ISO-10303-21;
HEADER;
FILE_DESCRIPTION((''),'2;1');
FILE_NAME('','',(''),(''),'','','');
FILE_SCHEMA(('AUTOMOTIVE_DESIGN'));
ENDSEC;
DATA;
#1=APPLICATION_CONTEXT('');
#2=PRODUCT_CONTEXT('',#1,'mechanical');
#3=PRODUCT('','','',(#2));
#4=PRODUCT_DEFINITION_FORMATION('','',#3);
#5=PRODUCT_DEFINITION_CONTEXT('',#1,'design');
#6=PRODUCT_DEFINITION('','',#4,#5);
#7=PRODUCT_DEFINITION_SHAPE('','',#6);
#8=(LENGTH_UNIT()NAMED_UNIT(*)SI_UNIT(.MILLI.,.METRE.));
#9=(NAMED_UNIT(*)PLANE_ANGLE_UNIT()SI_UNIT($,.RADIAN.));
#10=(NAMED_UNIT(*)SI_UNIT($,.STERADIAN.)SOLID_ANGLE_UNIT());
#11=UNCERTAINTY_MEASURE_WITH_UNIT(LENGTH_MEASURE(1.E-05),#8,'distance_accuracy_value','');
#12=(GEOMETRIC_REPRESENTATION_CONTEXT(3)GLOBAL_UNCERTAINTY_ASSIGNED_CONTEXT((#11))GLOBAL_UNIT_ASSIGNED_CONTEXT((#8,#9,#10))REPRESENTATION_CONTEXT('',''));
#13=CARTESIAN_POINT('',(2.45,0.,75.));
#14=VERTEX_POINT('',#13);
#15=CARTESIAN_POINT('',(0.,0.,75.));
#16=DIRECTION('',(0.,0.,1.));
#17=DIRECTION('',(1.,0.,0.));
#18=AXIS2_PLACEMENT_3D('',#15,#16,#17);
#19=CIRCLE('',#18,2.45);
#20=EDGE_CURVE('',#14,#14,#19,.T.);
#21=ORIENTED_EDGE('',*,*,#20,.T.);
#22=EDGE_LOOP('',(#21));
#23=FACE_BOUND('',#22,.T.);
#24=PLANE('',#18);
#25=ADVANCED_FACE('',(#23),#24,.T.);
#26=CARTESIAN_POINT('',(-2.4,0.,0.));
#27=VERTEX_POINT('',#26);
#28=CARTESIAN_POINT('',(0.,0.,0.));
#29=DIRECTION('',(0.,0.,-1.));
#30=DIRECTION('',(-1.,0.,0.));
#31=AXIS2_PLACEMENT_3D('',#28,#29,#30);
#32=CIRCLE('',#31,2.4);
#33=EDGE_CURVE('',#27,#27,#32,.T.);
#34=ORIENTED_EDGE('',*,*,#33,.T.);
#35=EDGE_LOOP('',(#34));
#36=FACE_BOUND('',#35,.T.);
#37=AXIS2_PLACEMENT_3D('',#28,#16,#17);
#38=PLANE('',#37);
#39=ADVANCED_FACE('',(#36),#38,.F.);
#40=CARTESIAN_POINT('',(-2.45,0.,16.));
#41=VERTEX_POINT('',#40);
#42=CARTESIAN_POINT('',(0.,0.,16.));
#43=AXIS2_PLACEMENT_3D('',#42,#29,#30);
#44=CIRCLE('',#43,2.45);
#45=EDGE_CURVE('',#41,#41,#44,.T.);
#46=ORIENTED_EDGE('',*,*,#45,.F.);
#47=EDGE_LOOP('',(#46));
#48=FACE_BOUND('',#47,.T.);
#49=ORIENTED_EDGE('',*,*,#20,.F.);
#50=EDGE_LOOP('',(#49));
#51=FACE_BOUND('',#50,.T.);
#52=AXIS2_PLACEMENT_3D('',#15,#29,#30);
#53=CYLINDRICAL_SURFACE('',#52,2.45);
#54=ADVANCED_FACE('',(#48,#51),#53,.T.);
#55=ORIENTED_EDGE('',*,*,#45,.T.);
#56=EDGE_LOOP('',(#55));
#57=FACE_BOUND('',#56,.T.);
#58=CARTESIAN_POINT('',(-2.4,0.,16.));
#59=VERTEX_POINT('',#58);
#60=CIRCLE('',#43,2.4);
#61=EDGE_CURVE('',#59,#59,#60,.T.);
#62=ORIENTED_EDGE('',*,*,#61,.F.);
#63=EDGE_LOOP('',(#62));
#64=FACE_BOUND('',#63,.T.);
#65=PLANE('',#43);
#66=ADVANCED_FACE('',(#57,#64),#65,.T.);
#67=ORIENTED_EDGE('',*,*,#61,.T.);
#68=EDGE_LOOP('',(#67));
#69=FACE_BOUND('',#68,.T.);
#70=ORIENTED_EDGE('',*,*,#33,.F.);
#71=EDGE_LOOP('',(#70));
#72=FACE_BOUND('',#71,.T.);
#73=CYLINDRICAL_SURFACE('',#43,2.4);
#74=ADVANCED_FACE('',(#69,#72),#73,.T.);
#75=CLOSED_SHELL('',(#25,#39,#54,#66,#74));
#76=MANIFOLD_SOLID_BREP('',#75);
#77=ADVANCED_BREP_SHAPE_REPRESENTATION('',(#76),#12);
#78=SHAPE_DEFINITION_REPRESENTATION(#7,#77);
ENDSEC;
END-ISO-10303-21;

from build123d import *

# Parameters (mm, degrees)
SKETCH_2_R          = 2.45
EXTRUDE_1_DEPTH     = 75
SKETCH_4_R          = 2.45
SKETCH_4_R_2        = 2.4
CUT_EXTRUDE_2_DEPTH = 16


with BuildPart() as part:
    # 草图2 → 凸台-拉伸1 (new body)
    with BuildSketch(Plane.XY):
        Circle(SKETCH_2_R)
    extrude(amount=EXTRUDE_1_DEPTH)

    # 草图4 → 切除-拉伸2 (cut)
    with BuildSketch(Plane(origin=(0, 0, 0), x_dir=(-1, 0, 0), z_dir=(0, 0, -1))):
        Circle(SKETCH_4_R)
        Circle(SKETCH_4_R_2, mode=Mode.SUBTRACT)
    extrude(amount=-CUT_EXTRUDE_2_DEPTH, mode=Mode.SUBTRACT)


solid = part.part
